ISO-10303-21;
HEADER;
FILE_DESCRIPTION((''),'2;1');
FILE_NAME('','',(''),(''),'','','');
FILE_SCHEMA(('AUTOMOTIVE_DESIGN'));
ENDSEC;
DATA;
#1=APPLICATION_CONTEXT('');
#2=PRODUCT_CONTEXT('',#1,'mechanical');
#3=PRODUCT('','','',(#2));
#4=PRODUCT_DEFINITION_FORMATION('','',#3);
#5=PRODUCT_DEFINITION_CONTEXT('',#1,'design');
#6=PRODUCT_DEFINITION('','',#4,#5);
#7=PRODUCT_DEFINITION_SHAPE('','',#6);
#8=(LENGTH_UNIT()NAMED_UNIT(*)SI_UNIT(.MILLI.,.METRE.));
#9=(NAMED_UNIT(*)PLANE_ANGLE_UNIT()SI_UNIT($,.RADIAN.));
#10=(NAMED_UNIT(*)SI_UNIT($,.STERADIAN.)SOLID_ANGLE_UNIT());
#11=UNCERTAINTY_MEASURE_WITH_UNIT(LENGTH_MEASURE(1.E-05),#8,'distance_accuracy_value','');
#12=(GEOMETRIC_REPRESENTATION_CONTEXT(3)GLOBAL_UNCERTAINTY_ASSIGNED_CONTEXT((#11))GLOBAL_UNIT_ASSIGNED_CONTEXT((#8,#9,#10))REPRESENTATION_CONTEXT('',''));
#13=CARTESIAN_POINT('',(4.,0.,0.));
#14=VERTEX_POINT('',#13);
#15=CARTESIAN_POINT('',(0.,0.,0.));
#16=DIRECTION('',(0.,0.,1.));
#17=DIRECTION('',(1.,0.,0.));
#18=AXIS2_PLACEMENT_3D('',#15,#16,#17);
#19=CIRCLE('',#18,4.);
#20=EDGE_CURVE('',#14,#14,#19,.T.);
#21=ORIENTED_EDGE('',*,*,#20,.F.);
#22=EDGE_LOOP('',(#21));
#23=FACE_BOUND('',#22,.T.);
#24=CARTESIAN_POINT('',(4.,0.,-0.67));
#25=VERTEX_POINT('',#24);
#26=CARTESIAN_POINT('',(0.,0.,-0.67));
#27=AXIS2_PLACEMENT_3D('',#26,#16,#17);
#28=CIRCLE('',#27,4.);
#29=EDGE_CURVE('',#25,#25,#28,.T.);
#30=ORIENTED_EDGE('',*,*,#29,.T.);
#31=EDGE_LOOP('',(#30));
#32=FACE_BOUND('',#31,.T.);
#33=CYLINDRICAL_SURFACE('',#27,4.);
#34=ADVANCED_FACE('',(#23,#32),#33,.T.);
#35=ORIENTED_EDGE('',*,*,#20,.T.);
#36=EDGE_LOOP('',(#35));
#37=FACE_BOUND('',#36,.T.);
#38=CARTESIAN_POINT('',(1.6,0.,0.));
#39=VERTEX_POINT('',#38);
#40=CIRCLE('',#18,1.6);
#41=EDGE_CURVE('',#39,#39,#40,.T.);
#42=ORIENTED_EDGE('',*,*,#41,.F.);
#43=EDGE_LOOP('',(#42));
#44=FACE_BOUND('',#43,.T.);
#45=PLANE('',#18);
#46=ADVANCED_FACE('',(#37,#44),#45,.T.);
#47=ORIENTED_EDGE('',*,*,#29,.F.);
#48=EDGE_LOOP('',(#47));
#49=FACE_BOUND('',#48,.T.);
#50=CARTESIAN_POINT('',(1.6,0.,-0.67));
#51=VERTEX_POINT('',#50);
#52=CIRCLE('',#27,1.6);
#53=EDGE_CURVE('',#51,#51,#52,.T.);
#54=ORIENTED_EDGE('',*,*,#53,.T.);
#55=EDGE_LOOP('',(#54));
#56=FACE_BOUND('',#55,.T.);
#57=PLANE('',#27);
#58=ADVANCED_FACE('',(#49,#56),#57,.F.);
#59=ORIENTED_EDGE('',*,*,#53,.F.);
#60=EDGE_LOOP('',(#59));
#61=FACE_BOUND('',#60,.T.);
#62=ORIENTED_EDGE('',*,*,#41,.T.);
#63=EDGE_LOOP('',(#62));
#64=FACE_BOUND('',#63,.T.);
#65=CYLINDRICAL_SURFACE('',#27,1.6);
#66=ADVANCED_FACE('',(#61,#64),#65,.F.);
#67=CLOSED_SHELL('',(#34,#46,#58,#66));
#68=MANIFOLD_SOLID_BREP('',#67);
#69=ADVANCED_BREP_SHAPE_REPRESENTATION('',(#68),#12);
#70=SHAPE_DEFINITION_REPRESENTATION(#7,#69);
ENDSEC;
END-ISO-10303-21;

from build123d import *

# Parameters (mm, degrees)
SKETCH1_R      = 4
SKETCH1_R_2    = 1.6
EXTRUDE1_DEPTH = 0.67


with BuildPart() as part:
    # Sketch1 → Extrude1 (new body)
    with BuildSketch(Plane.XY):
        Circle(SKETCH1_R)
        Circle(SKETCH1_R_2, mode=Mode.SUBTRACT)
    extrude(amount=-EXTRUDE1_DEPTH)


solid = part.part
